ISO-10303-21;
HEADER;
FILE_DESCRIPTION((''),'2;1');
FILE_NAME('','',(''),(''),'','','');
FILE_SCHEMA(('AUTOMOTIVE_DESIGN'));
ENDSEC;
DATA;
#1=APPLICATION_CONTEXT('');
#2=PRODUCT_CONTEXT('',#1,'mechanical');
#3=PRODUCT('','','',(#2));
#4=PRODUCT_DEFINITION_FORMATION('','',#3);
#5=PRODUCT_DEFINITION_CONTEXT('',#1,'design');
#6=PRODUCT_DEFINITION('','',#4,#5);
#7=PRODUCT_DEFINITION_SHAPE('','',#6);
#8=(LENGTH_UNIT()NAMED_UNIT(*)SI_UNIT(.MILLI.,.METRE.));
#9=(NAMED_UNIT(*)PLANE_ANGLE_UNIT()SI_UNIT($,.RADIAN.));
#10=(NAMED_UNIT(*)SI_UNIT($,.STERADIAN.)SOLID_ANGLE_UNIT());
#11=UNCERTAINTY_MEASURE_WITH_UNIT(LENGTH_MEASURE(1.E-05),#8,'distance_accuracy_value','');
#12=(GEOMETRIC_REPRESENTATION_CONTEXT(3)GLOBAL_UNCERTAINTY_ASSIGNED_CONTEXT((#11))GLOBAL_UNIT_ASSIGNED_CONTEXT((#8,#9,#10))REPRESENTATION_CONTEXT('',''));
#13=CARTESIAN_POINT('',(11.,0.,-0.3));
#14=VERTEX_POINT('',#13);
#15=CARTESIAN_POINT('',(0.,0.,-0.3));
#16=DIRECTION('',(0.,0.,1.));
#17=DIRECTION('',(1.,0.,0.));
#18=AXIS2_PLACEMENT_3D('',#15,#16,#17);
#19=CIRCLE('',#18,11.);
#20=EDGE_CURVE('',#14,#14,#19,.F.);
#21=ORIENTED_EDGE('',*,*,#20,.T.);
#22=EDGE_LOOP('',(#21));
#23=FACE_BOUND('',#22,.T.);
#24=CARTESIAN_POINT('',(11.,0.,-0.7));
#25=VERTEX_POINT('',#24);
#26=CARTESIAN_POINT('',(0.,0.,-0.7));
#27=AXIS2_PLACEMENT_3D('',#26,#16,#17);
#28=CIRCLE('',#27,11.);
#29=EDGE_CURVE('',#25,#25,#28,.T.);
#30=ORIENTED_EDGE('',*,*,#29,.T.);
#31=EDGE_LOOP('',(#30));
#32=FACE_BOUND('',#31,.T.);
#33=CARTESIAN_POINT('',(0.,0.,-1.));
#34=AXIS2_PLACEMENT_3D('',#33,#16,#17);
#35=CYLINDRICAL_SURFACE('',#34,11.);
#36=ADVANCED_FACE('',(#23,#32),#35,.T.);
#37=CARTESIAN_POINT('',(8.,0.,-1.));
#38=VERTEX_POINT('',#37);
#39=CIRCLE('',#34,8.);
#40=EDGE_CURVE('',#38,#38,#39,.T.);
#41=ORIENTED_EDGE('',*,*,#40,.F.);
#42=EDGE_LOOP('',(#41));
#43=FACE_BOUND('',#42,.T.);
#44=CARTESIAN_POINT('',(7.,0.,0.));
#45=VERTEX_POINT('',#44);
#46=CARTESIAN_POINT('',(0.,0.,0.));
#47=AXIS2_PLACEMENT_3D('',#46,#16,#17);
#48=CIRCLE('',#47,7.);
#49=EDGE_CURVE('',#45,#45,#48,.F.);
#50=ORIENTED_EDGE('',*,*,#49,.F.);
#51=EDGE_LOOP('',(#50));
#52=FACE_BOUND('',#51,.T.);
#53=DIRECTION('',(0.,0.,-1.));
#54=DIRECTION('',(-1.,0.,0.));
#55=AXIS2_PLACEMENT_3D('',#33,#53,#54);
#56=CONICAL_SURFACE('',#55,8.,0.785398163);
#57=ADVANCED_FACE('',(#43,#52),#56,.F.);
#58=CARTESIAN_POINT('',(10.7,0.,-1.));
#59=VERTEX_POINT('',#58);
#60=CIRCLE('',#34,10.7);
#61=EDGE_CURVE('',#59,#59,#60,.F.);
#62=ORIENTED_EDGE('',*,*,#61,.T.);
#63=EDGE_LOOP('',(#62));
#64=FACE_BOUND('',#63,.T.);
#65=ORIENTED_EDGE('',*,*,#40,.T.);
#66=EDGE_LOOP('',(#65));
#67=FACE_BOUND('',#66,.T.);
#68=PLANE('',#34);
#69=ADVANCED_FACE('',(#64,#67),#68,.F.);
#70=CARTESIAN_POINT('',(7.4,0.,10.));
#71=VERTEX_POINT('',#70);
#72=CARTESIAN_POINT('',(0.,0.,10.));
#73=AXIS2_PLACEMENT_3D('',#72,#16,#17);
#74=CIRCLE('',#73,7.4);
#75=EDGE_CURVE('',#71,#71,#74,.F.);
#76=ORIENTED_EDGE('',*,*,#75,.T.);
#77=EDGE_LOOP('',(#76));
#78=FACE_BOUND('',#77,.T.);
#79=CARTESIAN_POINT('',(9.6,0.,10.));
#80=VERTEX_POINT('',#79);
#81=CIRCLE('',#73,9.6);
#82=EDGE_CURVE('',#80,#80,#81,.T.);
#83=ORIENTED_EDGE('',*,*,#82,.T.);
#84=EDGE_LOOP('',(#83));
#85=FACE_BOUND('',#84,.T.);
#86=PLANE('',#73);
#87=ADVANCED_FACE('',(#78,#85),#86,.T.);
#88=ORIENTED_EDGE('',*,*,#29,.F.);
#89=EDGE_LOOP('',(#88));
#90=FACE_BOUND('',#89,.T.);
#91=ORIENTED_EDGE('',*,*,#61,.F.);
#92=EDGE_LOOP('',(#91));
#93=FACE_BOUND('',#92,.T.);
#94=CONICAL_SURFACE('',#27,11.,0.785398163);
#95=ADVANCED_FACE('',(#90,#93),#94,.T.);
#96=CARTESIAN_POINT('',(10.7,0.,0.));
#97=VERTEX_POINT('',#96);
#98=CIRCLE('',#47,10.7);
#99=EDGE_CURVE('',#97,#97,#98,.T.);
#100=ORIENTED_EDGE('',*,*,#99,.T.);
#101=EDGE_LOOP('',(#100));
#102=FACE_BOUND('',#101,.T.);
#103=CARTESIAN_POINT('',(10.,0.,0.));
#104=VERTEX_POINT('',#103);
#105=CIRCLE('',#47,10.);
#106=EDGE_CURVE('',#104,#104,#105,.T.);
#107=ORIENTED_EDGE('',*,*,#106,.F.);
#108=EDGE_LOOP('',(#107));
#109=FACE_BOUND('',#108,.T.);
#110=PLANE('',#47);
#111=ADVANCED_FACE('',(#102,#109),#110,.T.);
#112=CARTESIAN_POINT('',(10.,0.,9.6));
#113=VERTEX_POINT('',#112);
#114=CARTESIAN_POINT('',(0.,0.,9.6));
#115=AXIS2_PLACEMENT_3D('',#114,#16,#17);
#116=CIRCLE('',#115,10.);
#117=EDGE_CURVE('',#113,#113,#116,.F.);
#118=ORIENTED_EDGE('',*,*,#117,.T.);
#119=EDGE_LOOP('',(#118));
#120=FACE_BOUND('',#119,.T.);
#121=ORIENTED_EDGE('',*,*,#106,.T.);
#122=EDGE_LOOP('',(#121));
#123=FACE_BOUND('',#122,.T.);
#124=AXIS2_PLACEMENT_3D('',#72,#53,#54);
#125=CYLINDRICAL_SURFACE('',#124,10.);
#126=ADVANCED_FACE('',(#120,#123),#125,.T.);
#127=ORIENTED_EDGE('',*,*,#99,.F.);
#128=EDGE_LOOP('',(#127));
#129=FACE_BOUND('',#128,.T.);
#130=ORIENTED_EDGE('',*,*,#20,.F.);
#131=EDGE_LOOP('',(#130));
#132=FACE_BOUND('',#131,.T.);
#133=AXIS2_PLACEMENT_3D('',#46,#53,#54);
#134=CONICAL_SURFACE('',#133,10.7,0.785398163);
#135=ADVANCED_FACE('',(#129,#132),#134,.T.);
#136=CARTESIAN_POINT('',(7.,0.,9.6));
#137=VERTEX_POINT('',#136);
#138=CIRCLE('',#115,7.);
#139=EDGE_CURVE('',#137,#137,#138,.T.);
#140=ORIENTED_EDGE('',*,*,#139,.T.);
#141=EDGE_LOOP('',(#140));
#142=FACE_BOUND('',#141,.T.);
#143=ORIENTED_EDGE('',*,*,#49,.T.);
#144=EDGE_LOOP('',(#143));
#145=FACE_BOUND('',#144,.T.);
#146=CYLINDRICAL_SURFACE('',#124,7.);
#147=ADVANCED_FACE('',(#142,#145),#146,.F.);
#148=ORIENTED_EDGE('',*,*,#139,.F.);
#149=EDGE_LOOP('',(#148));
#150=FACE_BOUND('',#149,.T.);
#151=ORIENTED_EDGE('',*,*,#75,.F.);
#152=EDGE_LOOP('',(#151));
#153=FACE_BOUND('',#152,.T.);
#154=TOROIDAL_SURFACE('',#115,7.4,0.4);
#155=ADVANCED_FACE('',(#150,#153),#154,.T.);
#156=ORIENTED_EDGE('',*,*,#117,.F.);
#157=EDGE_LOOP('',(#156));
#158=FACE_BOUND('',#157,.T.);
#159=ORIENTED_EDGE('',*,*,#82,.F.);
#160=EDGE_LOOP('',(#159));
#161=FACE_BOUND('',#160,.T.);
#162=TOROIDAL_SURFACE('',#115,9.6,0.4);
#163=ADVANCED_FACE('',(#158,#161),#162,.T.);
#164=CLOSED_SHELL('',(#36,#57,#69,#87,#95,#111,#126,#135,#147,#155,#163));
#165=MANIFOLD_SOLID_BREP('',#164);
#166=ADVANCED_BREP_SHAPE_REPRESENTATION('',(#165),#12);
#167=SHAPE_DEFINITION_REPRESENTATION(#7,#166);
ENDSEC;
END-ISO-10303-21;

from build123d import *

# Parameters (mm, degrees)
SKETCH2_R           = 10
SKETCH2_R_2         = 7
BOSS_EXTRUDE1_DEPTH = 10
BOSS_EXTRUDE2_START = -1
SKETCH2_3_R         = 11
SKETCH2_3_R_2       = 7
BOSS_EXTRUDE2_DEPTH = 1
CHAMFER1_SIZE       = 0.3
CHAMFER2_SIZE       = 0.3
CHAMFER3_SIZE       = 1
FILLET1_R           = 0.4


with BuildPart() as part:
    # Sketch2 → Boss-Extrude1 (new body)
    with BuildSketch(Plane.XY):
        Circle(SKETCH2_R)
        Circle(SKETCH2_R_2, mode=Mode.SUBTRACT)
    extrude(amount=BOSS_EXTRUDE1_DEPTH)

    # Sketch2<3> → Boss-Extrude2 (add)
    with BuildSketch(Plane.XY.offset(BOSS_EXTRUDE2_START)):
        Circle(SKETCH2_3_R)
        Circle(SKETCH2_3_R_2, mode=Mode.SUBTRACT)
    extrude(amount=BOSS_EXTRUDE2_DEPTH)

    # Chamfer1
    chamfer1_edges = [part.edges().sort_by_distance(p)[0] for p in [
        (-11, 0, 0),
    ]]
    chamfer(chamfer1_edges, length=CHAMFER1_SIZE)

    # Chamfer2
    chamfer2_edges = [part.edges().sort_by_distance(p)[0] for p in [
        (-11, 0, -1),
    ]]
    chamfer(chamfer2_edges, length=CHAMFER2_SIZE)

    # Chamfer3
    chamfer3_edges = [part.edges().sort_by_distance(p)[0] for p in [
        (-7, 0, -1),
    ]]
    chamfer(chamfer3_edges, length=CHAMFER3_SIZE)

    # Fillet1
    fillet1_edges = [part.edges().sort_by_distance(p)[0] for p in [
        (-7, 0, 10),
        (-10, 0, 10),
    ]]
    fillet(fillet1_edges, radius=FILLET1_R)


solid = part.part
